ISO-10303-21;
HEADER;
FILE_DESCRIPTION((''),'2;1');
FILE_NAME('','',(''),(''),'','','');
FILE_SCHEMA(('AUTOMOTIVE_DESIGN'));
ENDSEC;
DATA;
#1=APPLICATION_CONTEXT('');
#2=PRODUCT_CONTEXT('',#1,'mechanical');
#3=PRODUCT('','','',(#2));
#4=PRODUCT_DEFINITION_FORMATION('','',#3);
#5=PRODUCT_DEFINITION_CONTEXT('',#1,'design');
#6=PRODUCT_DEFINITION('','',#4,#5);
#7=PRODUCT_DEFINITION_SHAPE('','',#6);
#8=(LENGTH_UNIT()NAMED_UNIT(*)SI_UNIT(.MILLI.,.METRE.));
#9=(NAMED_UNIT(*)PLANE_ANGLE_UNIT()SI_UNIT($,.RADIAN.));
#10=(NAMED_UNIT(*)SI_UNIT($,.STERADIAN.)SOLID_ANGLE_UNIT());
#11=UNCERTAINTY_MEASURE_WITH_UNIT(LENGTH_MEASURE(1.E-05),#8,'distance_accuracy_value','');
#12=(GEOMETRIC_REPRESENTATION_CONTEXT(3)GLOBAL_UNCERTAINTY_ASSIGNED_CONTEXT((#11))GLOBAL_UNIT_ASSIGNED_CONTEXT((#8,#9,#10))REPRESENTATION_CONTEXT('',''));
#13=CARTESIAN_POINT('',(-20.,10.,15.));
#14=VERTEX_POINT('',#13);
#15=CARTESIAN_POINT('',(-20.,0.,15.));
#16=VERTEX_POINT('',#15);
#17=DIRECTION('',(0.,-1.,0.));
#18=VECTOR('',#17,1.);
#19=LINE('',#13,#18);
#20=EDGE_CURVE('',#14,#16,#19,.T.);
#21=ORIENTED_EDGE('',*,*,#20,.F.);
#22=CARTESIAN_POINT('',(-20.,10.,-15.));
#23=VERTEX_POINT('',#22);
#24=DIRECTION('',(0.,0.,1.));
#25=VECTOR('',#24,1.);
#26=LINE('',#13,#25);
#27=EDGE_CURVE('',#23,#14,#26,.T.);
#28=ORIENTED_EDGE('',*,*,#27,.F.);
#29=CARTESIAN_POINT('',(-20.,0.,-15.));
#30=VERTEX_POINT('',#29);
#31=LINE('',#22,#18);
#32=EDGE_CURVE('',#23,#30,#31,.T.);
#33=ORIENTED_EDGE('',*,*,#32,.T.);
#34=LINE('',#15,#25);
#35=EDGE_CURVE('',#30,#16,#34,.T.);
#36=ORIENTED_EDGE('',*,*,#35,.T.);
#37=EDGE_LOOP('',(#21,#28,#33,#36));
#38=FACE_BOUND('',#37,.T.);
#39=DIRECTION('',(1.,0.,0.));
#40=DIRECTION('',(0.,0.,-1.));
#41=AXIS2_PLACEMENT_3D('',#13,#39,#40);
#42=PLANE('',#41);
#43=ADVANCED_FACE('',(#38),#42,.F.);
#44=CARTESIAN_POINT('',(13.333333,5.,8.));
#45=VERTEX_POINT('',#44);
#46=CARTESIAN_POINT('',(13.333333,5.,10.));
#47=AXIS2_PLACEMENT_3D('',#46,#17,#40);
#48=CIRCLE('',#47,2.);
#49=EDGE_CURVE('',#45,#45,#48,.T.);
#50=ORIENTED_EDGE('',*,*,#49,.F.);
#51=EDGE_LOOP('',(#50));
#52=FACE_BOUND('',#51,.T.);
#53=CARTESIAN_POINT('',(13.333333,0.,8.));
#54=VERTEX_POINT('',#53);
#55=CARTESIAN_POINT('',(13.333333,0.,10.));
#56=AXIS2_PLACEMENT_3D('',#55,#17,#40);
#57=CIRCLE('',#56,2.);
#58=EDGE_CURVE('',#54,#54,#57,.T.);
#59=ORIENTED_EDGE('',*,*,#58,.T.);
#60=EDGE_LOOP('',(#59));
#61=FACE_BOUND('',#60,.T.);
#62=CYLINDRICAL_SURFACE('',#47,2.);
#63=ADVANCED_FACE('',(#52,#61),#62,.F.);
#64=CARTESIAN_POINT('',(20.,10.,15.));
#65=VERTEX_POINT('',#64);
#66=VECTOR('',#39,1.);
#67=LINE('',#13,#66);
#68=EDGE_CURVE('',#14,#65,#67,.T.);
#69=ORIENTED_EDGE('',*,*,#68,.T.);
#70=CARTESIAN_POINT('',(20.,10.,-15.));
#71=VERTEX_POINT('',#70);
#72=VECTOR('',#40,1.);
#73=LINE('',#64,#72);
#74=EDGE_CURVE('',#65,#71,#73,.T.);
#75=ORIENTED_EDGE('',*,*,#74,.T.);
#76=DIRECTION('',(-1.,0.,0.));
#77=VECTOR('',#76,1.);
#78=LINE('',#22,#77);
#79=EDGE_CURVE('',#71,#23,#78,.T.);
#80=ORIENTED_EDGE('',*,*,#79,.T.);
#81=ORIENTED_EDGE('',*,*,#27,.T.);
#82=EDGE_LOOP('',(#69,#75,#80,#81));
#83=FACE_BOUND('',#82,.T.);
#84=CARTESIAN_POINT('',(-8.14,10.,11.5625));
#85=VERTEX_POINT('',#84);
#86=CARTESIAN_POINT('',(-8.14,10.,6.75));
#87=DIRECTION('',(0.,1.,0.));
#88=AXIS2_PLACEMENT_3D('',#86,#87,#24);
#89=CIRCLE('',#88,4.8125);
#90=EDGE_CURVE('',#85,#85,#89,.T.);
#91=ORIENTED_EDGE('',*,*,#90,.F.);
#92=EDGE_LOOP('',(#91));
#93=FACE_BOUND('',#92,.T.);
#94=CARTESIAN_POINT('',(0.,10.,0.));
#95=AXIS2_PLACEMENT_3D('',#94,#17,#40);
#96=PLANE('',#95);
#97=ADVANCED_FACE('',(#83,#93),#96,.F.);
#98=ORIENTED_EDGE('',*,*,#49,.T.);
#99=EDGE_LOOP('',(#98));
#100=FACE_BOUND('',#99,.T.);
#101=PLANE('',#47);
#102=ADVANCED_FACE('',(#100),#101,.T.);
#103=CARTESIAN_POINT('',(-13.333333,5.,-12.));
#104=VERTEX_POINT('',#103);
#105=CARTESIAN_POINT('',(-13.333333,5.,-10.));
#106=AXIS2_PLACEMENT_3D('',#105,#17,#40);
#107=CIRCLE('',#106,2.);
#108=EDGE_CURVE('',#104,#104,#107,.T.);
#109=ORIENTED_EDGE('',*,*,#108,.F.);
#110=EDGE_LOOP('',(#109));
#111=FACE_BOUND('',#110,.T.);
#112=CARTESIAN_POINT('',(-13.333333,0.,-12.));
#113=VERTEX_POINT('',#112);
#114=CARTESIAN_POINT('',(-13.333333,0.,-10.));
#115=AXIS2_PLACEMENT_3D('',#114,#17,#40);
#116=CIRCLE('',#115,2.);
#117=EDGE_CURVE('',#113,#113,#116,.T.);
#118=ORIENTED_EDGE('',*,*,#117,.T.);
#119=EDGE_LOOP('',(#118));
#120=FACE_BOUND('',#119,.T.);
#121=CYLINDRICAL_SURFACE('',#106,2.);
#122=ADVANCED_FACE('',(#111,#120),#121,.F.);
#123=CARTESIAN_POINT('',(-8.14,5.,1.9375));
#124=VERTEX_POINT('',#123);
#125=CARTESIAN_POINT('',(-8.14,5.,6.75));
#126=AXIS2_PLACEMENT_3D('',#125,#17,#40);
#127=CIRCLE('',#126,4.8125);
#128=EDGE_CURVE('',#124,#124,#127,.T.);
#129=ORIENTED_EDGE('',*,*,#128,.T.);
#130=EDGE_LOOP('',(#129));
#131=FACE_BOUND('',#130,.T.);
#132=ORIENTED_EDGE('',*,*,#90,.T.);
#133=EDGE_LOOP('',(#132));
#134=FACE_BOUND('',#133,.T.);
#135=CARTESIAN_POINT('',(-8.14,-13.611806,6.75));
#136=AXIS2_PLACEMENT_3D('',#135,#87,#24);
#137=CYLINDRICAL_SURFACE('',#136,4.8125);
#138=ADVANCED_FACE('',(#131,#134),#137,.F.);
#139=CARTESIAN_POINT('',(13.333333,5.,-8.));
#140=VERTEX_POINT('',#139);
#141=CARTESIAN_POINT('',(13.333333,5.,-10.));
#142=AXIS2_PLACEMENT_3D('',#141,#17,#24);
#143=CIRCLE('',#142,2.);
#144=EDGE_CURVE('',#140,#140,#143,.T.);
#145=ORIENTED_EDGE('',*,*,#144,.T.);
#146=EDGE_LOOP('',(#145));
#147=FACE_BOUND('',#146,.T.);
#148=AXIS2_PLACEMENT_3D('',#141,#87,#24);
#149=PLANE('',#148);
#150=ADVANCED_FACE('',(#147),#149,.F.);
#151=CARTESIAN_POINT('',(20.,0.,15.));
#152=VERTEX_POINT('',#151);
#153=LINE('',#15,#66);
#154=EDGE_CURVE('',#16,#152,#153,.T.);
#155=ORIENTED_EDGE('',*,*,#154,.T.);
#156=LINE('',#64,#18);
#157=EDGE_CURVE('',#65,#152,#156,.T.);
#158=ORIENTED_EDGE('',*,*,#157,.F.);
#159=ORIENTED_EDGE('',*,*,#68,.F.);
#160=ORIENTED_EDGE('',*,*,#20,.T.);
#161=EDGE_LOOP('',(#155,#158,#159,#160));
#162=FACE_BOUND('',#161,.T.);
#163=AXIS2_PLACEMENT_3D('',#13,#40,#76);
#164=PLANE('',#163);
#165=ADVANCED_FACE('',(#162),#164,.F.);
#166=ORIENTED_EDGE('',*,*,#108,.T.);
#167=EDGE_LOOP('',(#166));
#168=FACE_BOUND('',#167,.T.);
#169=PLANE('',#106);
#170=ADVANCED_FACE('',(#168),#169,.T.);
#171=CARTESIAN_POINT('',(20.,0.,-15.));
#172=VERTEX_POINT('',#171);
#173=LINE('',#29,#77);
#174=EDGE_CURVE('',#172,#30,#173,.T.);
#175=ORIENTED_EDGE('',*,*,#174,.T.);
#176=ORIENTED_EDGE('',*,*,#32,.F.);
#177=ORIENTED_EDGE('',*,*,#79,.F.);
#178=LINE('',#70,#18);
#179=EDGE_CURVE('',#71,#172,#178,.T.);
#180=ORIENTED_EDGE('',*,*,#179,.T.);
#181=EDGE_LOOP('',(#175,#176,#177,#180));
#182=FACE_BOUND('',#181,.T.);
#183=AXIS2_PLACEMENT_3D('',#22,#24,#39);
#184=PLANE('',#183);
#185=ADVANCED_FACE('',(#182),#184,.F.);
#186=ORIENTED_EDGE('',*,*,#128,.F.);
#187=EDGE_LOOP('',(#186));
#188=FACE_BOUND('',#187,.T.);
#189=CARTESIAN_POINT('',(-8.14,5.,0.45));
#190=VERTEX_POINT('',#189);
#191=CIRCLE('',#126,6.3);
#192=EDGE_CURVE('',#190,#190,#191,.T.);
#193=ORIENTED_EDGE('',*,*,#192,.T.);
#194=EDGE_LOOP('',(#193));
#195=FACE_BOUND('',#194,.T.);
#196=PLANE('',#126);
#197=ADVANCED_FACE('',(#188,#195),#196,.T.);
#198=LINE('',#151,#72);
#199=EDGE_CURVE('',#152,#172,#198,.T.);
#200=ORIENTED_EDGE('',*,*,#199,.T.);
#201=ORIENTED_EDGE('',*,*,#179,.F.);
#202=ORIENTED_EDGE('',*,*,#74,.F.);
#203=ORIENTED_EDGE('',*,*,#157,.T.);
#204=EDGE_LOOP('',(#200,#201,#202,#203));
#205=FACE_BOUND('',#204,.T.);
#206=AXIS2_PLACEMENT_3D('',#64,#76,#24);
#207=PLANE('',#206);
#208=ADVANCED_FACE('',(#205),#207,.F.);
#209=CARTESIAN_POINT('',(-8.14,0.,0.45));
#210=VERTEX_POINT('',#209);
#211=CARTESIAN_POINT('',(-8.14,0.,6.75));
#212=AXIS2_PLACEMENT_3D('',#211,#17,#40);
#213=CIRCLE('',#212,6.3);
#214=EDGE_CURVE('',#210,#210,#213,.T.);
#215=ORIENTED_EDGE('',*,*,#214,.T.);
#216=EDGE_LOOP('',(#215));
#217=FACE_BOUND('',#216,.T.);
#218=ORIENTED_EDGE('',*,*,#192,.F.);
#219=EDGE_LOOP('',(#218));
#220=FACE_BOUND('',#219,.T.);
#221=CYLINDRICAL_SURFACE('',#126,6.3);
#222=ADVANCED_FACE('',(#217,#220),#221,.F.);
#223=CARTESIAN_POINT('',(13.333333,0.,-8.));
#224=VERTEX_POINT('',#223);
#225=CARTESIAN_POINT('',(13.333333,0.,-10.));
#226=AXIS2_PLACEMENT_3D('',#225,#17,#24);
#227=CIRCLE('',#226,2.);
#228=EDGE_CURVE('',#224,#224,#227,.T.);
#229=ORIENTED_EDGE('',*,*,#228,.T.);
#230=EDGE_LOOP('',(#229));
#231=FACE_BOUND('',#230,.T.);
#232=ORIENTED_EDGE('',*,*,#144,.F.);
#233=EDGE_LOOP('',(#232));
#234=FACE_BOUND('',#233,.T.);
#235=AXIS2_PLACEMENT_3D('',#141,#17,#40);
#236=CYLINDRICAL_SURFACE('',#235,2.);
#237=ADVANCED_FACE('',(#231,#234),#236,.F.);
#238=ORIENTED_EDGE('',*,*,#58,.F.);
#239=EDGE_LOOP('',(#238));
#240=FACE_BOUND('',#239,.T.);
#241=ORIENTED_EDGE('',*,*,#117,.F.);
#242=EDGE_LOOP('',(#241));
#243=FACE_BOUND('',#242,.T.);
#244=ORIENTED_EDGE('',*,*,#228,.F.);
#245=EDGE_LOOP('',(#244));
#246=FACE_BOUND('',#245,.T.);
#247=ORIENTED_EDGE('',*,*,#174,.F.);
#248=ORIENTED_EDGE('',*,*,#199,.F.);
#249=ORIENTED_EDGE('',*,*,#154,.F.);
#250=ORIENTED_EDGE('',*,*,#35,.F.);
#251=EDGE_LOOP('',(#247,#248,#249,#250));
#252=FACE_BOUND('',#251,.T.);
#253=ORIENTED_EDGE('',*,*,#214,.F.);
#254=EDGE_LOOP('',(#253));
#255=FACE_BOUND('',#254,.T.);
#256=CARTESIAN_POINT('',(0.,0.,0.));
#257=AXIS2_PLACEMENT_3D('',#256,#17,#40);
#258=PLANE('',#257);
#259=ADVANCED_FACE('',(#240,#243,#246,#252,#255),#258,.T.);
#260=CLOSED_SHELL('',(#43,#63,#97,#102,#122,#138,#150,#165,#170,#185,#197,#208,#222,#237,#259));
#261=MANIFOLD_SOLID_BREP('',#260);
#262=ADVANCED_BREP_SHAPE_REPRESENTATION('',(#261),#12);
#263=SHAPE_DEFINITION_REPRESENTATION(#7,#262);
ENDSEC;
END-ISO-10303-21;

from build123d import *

# Parameters (mm, degrees)
SKETCH1_W           = 40
SKETCH1_H           = 30
BOSS_EXTRUDE1_DEPTH = 10
SKETCH2_R           = 2
SKETCH2_R_2         = 6.3
CUT_EXTRUDE1_DEPTH  = 5
SKETCH3_R           = 4.8125
CUT_EXTRUDE2_DEPTH  = 10


with BuildPart() as part:
    # Sketch1 → Boss-Extrude1 (new body)
    with BuildSketch(Plane(origin=(0, 0, 0), x_dir=(1, 0, 0), z_dir=(0, 1, 0))):
        Rectangle(SKETCH1_W, SKETCH1_H)
    extrude(amount=BOSS_EXTRUDE1_DEPTH)

    # Sketch2 → Cut-Extrude1 (cut)
    with BuildSketch(Plane(origin=(0, 0, 0), x_dir=(-1, 0, 0), z_dir=(0, -1, 0))):
        with Locations(Location((-13.333333333, -10, 0), (0, 0, 90))):
            Circle(SKETCH2_R)
        with Locations(Location((-13.333333333, 10, 0), (0, 0, 270))):
            Circle(SKETCH2_R)
        with Locations(Location((13.333333333, 10, 0), (0, 0, 90))):
            Circle(SKETCH2_R)
        with Locations(Location((8.14, -6.75, 0), (0, 0, 90))):
            Circle(SKETCH2_R_2)
    extrude(amount=-CUT_EXTRUDE1_DEPTH, mode=Mode.SUBTRACT)

    # Sketch3 → Cut-Extrude2 (cut)
    with BuildSketch(Plane(origin=(0, 10, 0), x_dir=(1, 0, 0), z_dir=(0, 1, 0))):
        with Locations(Location((-8.14, -6.75, 0), (0, 0, 270))):
            Circle(SKETCH3_R)
    extrude(amount=-CUT_EXTRUDE2_DEPTH, mode=Mode.SUBTRACT)


solid = part.part
